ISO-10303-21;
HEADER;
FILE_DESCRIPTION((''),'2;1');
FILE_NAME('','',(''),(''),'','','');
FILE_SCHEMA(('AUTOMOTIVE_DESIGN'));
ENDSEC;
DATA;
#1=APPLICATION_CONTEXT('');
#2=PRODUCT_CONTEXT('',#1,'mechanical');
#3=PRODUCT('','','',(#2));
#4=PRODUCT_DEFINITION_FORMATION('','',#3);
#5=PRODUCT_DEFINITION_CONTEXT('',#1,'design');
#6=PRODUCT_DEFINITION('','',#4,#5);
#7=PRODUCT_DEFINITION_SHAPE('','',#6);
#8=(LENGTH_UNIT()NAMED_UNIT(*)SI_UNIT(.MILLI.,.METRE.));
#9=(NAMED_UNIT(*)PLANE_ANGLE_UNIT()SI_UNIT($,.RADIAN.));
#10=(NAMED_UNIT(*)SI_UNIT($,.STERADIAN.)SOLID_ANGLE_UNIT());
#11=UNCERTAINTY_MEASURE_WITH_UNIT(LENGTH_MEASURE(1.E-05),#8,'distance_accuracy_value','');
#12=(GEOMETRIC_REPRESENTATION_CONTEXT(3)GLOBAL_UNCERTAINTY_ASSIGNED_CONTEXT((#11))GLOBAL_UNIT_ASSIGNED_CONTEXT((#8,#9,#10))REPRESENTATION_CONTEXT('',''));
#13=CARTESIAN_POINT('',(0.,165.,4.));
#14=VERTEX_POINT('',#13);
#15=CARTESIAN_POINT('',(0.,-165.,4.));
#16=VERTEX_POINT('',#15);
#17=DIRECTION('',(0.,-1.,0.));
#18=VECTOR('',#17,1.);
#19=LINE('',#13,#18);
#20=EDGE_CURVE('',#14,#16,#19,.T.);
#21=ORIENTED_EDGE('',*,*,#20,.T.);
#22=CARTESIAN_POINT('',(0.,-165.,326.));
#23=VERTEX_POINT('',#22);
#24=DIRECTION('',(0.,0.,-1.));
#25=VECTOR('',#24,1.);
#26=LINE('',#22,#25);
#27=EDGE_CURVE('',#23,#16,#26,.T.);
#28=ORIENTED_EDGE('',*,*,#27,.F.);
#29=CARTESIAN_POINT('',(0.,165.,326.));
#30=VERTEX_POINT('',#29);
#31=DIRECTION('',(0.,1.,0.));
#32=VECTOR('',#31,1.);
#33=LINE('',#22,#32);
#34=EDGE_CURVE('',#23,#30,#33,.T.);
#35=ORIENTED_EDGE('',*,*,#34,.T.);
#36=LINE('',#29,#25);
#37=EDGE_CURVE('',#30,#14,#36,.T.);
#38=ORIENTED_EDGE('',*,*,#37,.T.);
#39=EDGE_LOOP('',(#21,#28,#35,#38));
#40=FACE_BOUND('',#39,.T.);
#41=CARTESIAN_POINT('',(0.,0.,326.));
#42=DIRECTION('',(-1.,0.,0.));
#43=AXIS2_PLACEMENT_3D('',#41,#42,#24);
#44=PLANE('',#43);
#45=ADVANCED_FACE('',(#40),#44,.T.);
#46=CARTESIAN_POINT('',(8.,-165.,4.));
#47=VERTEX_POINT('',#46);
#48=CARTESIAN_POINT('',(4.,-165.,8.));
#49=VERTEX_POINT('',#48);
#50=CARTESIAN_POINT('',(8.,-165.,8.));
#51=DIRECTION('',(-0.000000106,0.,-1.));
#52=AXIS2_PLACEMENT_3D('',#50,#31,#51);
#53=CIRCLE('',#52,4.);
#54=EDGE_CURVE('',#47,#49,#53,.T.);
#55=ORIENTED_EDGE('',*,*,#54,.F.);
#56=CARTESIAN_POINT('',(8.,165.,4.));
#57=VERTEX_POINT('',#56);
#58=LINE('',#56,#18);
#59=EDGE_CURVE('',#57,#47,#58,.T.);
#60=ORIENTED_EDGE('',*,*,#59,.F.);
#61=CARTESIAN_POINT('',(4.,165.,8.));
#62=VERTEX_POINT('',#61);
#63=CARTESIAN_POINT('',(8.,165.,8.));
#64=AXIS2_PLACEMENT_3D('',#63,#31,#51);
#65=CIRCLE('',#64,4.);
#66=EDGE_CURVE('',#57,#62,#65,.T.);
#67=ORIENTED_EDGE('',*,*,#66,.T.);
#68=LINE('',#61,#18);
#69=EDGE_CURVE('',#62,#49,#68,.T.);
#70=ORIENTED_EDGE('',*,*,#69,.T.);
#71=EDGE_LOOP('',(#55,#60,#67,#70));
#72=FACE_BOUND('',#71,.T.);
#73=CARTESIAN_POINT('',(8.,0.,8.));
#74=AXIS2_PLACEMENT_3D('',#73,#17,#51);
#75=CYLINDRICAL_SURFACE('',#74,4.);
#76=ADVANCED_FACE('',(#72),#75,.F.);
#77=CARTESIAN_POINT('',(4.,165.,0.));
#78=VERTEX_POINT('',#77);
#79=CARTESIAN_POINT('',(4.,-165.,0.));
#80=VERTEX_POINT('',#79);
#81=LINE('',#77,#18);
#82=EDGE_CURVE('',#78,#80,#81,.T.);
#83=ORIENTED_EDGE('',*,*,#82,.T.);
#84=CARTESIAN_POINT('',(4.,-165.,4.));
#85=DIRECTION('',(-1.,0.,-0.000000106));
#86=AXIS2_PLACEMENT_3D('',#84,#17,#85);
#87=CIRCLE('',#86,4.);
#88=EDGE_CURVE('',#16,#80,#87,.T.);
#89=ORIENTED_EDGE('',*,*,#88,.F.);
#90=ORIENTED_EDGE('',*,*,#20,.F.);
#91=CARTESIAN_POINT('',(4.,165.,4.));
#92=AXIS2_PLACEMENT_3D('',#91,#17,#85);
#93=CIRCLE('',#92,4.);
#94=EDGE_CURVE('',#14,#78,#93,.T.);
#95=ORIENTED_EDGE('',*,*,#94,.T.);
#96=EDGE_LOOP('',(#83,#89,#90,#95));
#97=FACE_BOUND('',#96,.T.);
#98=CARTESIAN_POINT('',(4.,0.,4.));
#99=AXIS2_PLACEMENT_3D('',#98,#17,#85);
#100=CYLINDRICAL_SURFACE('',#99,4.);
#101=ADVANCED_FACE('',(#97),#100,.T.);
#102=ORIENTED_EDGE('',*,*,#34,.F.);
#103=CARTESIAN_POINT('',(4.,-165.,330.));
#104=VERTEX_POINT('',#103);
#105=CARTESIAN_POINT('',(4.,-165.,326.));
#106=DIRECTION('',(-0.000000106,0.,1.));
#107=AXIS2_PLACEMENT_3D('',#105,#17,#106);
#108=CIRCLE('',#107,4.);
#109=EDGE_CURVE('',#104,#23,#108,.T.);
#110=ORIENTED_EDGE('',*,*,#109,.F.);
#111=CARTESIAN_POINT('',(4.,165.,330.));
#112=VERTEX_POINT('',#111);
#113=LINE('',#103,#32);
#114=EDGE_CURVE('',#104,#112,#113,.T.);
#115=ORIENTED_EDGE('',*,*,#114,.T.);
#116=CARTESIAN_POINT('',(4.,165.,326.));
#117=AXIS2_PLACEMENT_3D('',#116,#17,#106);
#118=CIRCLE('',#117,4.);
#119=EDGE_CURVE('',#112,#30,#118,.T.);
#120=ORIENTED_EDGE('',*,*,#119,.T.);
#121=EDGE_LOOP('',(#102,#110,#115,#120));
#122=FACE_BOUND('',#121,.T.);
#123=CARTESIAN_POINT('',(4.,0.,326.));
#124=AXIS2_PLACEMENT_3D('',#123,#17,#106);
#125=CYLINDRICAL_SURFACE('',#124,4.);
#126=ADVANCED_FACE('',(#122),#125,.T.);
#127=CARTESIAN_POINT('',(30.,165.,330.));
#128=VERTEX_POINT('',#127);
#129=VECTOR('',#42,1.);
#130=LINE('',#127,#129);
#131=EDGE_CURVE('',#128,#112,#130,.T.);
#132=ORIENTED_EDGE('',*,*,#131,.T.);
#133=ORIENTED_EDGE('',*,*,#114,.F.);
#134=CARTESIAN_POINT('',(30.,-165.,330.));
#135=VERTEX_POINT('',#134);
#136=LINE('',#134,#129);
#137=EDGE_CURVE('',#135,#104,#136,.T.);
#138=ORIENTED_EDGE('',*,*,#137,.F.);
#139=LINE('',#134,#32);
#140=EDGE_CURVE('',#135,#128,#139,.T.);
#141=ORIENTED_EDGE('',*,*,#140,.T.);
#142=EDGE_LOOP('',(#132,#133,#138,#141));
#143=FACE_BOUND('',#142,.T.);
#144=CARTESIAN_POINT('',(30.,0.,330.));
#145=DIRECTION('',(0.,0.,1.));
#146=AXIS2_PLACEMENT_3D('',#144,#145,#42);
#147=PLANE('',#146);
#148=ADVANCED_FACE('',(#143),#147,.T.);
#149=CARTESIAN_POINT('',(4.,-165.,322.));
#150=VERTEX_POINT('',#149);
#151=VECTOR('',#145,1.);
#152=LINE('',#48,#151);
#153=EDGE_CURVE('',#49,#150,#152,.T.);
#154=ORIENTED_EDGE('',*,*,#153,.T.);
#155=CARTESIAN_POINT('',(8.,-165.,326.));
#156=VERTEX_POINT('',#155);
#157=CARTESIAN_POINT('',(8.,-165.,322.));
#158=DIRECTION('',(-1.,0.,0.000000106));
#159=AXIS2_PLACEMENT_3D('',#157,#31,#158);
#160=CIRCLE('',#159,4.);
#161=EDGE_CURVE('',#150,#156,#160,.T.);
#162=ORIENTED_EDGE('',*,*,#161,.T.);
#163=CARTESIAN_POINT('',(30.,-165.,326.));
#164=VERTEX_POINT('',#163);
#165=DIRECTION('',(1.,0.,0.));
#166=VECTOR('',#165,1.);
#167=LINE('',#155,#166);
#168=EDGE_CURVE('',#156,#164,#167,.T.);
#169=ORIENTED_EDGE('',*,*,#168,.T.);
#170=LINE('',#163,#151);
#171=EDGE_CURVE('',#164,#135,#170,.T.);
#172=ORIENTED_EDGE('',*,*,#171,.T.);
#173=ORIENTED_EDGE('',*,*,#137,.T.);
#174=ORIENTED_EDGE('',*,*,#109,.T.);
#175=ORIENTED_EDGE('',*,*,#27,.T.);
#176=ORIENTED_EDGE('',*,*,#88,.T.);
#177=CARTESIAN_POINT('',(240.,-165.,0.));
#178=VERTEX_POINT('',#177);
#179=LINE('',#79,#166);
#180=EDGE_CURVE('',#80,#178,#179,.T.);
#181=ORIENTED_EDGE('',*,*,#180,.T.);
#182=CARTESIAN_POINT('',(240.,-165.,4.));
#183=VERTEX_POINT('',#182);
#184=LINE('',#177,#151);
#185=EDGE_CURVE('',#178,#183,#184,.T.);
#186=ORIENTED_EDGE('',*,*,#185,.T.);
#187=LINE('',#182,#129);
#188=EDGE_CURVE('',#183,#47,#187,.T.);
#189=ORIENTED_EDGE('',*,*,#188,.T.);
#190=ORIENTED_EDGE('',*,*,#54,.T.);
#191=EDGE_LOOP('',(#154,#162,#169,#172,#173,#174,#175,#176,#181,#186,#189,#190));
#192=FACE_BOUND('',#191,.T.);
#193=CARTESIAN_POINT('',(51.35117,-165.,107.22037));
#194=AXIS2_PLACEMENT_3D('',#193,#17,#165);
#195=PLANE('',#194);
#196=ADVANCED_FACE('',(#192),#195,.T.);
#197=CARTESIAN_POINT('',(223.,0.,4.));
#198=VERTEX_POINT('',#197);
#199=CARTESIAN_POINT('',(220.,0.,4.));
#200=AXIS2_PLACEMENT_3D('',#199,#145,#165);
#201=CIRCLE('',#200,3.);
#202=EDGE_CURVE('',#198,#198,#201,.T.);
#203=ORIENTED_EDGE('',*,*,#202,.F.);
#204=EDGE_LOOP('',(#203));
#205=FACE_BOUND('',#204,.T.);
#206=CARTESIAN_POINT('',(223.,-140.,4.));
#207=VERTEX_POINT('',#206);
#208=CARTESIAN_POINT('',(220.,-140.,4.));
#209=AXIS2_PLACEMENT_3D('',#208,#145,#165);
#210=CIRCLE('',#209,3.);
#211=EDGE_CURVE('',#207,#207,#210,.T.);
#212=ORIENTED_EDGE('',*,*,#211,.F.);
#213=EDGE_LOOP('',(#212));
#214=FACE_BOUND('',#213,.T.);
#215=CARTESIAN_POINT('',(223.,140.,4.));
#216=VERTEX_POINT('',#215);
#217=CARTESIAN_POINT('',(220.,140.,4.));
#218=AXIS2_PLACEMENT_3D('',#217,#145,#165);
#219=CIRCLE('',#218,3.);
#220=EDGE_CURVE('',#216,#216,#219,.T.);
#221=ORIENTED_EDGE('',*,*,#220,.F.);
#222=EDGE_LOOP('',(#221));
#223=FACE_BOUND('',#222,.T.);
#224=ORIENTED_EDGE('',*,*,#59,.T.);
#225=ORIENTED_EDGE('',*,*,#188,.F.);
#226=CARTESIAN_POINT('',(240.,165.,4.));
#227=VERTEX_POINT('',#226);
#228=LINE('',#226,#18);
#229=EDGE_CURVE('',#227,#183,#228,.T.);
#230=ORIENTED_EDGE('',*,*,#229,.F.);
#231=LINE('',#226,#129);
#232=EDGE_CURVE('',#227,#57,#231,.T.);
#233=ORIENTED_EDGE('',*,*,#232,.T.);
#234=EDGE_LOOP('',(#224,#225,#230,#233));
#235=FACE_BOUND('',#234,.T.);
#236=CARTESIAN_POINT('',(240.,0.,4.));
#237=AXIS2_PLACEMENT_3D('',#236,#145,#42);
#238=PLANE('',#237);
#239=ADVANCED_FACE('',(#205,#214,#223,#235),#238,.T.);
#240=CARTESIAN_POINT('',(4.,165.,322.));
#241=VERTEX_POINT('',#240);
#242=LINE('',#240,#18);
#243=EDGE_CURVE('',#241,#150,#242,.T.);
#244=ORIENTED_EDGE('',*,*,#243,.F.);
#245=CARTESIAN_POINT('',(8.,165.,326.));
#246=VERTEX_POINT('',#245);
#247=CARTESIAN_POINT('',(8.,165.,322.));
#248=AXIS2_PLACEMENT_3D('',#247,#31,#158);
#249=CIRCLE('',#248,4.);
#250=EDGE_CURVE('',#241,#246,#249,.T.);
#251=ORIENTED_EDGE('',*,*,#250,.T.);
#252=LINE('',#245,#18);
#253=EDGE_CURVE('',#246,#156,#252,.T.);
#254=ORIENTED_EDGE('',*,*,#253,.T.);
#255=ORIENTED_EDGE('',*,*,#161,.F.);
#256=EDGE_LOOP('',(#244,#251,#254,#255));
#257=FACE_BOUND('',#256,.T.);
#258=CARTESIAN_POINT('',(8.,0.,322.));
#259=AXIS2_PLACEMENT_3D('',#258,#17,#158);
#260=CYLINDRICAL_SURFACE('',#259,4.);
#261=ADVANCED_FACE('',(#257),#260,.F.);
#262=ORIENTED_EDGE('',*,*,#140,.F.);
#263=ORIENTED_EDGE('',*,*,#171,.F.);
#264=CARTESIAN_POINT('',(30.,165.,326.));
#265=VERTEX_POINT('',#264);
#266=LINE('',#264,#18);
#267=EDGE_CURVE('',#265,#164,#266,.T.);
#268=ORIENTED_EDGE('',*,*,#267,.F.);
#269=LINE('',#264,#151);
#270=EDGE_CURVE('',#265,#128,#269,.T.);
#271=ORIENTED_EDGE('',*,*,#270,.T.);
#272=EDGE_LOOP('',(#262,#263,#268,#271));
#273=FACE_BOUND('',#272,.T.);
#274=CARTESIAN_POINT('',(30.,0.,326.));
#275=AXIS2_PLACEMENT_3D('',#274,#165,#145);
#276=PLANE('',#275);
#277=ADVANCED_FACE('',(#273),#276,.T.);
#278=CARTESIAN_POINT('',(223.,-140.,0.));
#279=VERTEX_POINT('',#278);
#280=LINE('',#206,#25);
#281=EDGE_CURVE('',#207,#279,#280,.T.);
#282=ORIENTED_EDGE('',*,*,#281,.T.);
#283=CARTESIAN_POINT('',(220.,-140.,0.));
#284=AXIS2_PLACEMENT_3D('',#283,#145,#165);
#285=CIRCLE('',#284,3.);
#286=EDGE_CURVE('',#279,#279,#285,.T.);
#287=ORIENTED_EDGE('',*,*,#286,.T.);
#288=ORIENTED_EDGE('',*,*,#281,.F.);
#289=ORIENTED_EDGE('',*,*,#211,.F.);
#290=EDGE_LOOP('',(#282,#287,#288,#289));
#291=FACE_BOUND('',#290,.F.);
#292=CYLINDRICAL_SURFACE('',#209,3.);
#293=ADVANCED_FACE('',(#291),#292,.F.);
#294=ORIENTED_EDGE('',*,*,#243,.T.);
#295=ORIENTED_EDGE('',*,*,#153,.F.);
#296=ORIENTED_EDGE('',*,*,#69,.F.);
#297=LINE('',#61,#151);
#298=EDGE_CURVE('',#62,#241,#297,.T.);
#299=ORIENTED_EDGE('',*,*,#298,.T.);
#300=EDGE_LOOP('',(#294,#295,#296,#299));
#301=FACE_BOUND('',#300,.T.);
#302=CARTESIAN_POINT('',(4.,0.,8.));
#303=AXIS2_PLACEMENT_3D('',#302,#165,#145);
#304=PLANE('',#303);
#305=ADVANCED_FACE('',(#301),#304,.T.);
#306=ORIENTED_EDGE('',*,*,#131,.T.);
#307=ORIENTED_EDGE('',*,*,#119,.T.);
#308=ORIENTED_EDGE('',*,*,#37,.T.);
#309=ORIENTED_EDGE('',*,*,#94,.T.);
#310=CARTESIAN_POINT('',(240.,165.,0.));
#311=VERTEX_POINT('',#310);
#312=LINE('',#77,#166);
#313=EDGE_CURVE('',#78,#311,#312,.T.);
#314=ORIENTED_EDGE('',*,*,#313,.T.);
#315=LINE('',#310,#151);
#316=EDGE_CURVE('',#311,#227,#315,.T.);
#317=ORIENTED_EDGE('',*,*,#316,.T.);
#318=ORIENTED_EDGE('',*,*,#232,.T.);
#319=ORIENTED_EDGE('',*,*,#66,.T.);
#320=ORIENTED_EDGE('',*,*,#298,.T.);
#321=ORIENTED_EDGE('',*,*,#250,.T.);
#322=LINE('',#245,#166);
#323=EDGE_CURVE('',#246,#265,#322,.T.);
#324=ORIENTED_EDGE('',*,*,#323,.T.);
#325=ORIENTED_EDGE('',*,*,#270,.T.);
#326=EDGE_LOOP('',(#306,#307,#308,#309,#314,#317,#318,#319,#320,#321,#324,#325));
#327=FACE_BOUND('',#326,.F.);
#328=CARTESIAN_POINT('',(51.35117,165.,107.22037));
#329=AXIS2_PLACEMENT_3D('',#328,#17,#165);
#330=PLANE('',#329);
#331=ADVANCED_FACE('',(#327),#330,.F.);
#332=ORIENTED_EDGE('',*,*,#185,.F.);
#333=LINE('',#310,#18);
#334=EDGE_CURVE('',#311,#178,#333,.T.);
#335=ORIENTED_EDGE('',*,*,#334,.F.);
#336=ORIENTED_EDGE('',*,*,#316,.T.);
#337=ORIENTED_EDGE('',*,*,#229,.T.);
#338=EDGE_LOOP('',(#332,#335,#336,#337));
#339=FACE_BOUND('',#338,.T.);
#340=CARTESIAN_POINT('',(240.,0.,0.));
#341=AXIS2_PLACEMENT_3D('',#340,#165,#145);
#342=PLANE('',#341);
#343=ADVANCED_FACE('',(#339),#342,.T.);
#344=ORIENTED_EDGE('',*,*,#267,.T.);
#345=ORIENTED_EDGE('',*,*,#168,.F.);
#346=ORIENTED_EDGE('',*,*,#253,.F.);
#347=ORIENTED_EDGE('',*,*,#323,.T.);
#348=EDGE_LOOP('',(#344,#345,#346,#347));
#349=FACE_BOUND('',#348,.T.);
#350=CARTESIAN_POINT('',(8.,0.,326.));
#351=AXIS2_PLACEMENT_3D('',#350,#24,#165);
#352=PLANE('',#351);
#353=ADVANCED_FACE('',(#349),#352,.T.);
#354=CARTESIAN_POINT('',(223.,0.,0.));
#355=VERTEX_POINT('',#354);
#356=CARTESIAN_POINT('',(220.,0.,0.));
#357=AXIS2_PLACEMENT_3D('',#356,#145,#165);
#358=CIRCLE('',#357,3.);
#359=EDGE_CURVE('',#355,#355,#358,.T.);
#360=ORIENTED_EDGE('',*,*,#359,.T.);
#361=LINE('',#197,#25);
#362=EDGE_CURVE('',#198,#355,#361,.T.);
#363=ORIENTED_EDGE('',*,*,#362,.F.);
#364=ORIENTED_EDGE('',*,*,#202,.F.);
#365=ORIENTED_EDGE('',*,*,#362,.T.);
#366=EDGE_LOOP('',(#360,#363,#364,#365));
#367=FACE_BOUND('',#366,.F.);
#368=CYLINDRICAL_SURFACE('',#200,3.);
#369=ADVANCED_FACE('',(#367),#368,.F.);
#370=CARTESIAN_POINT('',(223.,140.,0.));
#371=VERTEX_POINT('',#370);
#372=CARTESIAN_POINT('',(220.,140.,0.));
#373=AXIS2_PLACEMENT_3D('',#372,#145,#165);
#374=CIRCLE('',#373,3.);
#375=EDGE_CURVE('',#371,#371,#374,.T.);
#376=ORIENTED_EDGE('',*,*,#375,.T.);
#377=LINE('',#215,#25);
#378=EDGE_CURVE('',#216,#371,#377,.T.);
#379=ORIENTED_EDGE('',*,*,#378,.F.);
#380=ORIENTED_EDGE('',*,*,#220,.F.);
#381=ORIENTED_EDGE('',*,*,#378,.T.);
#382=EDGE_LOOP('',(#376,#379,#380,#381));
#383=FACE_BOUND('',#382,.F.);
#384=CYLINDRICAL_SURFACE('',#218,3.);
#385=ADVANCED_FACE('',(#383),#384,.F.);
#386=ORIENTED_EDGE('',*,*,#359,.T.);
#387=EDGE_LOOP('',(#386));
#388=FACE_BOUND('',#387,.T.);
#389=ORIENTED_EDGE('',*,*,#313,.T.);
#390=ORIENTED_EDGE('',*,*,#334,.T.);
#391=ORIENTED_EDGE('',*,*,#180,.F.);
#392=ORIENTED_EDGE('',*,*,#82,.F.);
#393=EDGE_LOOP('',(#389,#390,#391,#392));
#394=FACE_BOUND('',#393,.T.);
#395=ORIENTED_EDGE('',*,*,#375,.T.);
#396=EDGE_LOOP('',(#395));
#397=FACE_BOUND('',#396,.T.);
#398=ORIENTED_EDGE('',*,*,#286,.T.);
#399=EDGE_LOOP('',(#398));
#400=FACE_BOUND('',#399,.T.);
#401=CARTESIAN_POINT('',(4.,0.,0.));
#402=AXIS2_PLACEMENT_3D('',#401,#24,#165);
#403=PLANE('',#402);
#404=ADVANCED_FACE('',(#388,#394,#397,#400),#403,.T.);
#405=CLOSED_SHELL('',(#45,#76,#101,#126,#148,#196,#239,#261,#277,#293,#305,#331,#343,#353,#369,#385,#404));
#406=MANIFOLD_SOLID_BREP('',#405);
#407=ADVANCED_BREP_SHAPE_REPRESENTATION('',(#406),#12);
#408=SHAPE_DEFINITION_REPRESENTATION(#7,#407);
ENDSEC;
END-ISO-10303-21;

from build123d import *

# Parameters (mm, degrees)
F1_DEPTH      = 165
F2_R          = 3
F3_DEPTH      = 326.001
F3_DEPTH_BACK = 25


with BuildPart() as f1:
    # F0 (on Front) → F1 (new body, symmetric)
    with BuildSketch(Plane.XZ):
        with BuildLine():
            Line((0, 326), (0, 4))
            ThreePointArc((0, 4), (1.171573, 1.171573), (4, 0))
            Line((4, 0), (240, 0))
            Line((240, 0), (240, 4))
            Line((240, 4), (8, 4))
            ThreePointArc((8, 4), (5.171573, 5.171573), (4, 8))
            Line((4, 8), (4, 322))
            ThreePointArc((4, 322), (5.171573, 324.828427), (8, 326))
            Line((8, 326), (30, 326))
            Line((30, 326), (30, 330))
            Line((30, 330), (4, 330))
            ThreePointArc((4, 330), (1.171573, 328.828427), (0, 326))
        make_face()
    extrude(amount=F1_DEPTH, both=True)

    # F2 (on face) → F3 (cut, two sides)
    with BuildSketch(Plane.XY.offset(4)) as f3_sk:
        with Locations((220, 140)):
            Circle(F2_R)
        with Locations((220, 0)):
            Circle(F2_R)
        with Locations((220, -140)):
            Circle(F2_R)
    extrude(amount=F3_DEPTH, mode=Mode.SUBTRACT)
    extrude(f3_sk.sketch, amount=-F3_DEPTH_BACK, mode=Mode.SUBTRACT)


solid = f1.part
